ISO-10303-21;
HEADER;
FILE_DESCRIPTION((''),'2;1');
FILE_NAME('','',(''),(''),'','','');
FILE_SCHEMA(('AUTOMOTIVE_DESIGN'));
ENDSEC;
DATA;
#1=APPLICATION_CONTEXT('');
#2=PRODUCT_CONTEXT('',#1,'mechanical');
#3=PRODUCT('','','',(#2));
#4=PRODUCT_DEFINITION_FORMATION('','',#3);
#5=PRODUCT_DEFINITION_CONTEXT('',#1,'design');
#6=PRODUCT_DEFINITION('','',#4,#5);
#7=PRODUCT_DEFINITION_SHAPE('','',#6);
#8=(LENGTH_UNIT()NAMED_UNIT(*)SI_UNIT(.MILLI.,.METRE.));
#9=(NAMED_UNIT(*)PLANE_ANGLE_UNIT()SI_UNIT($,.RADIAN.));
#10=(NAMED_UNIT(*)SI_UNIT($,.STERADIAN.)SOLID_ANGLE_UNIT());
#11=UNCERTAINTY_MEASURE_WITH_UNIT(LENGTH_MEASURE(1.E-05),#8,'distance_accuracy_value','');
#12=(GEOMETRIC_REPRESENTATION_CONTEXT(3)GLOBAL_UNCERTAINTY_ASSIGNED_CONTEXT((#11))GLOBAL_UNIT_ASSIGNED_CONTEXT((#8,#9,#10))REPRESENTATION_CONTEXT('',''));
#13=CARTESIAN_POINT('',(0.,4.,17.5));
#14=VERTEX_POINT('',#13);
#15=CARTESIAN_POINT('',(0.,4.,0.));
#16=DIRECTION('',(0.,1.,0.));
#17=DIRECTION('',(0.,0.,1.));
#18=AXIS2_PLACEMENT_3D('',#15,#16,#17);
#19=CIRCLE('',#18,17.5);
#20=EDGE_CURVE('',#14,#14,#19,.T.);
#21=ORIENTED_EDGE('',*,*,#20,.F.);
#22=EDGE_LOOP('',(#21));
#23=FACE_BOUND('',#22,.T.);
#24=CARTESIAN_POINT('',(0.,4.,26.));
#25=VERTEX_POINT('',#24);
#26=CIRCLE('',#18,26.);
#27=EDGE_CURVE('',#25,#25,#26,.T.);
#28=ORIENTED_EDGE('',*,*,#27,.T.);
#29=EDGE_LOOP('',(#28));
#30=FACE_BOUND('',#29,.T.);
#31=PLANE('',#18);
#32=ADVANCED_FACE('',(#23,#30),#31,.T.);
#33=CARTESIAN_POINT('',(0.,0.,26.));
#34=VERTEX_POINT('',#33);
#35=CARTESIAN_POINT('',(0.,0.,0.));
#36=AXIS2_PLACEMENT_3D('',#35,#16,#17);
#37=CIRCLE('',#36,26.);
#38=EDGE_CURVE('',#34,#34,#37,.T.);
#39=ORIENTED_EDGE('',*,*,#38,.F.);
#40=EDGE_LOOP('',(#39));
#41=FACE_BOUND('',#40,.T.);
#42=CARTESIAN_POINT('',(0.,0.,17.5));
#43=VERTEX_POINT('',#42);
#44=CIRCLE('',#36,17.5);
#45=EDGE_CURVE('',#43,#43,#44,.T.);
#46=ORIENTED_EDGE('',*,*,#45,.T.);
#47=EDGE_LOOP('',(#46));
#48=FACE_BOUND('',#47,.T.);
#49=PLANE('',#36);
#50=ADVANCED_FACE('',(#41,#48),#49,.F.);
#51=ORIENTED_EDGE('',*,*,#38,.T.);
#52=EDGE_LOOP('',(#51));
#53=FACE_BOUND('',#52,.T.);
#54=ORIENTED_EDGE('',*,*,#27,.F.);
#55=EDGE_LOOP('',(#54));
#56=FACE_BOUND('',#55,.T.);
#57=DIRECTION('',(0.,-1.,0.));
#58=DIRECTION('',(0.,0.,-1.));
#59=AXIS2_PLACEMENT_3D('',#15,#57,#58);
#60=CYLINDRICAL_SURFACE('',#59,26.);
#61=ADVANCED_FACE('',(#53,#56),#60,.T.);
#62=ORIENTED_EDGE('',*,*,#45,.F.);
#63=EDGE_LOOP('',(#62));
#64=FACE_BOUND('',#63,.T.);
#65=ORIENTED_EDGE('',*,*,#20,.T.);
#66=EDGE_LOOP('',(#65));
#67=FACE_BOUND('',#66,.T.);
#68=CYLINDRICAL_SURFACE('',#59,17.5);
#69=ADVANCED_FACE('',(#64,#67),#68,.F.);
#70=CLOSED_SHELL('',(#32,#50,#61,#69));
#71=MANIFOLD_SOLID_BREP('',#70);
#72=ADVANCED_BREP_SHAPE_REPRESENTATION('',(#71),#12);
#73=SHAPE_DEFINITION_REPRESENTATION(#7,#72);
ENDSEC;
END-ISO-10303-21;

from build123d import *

# Parameters (mm, degrees)
SKETCH2_R           = 26
SKETCH2_R_2         = 17.5
BOSS_EXTRUDE1_DEPTH = 4


with BuildPart() as part:
    # Sketch2 → Boss-Extrude1 (new body)
    with BuildSketch(Plane(origin=(0, 0, 0), x_dir=(1, 0, 0), z_dir=(0, 1, 0))):
        with Locations(Location((0, 0, 0), (0, 0, 270))):
            Circle(SKETCH2_R)
        with Locations(Location((0, 0, 0), (0, 0, 270))):
            Circle(SKETCH2_R_2, mode=Mode.SUBTRACT)
    extrude(amount=BOSS_EXTRUDE1_DEPTH)


solid = part.part
